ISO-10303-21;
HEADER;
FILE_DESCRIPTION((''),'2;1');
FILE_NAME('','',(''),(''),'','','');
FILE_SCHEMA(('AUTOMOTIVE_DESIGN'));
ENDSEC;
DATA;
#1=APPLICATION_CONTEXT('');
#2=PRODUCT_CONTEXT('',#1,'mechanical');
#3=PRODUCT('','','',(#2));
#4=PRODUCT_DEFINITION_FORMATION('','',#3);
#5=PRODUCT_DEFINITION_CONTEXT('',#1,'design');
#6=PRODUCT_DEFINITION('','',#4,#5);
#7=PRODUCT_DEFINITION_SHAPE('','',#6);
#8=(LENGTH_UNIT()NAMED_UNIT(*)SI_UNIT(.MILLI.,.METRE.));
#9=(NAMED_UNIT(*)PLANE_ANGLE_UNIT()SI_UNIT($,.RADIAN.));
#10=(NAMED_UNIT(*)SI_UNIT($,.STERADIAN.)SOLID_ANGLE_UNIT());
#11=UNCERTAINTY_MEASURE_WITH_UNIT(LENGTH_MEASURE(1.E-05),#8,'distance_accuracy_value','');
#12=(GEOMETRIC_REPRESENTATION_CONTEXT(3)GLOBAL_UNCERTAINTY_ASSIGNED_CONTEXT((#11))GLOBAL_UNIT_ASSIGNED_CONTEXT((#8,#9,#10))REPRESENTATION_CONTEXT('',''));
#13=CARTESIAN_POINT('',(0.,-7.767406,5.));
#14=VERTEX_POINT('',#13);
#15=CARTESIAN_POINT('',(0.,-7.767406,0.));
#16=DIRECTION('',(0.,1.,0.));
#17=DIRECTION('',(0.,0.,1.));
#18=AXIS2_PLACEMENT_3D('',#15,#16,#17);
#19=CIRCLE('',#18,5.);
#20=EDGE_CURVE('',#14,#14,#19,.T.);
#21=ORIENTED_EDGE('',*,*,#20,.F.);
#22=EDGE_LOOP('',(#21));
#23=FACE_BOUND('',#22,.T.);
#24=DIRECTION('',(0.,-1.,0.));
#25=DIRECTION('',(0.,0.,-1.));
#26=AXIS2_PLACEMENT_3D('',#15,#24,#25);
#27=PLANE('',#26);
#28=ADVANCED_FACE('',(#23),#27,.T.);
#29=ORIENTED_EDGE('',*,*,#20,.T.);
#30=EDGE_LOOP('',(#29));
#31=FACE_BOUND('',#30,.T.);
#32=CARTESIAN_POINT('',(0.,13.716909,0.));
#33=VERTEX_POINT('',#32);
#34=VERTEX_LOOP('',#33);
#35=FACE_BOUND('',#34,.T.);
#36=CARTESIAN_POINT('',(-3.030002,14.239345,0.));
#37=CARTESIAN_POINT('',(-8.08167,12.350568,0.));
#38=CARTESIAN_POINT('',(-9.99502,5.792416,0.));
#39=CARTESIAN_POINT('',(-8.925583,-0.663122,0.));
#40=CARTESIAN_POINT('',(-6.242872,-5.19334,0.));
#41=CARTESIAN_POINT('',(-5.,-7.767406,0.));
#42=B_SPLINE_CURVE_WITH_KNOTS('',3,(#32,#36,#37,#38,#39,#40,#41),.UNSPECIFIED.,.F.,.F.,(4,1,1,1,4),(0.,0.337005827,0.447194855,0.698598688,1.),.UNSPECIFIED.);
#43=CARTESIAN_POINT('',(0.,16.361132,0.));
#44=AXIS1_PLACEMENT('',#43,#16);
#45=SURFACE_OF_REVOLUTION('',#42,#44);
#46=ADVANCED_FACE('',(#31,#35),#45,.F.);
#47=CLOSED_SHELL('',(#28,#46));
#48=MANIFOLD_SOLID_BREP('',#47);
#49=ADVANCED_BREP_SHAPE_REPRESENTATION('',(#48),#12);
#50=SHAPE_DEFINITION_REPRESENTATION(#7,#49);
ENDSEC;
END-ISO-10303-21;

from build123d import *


with BuildPart() as part:
    # Sketch1 → Revolve1 (revolve)
    with BuildSketch(Plane.XY):
        with BuildLine():
            Line((0, -7.767406274), (0, 13.716908952))
            add(Edge.make_bspline(
                [(0, 13.716908952), (-3.030002417, 14.239345436), (-8.081670031, 12.350567892), (-9.995019894, 5.792415994), (-8.925582569, -0.663122306), (-6.242871596, -5.193339973), (-5, -7.767406274)],
                knots=[0, 0, 0, 0, 0.337005827, 0.447194855, 0.698598688, 1, 1, 1, 1], degree=3))
            Line((-5, -7.767406274), (0, -7.767406274))
        make_face()
    revolve(axis=Axis((0, 16.361132364, 0), (0, -1, 0)))


solid = part.part
